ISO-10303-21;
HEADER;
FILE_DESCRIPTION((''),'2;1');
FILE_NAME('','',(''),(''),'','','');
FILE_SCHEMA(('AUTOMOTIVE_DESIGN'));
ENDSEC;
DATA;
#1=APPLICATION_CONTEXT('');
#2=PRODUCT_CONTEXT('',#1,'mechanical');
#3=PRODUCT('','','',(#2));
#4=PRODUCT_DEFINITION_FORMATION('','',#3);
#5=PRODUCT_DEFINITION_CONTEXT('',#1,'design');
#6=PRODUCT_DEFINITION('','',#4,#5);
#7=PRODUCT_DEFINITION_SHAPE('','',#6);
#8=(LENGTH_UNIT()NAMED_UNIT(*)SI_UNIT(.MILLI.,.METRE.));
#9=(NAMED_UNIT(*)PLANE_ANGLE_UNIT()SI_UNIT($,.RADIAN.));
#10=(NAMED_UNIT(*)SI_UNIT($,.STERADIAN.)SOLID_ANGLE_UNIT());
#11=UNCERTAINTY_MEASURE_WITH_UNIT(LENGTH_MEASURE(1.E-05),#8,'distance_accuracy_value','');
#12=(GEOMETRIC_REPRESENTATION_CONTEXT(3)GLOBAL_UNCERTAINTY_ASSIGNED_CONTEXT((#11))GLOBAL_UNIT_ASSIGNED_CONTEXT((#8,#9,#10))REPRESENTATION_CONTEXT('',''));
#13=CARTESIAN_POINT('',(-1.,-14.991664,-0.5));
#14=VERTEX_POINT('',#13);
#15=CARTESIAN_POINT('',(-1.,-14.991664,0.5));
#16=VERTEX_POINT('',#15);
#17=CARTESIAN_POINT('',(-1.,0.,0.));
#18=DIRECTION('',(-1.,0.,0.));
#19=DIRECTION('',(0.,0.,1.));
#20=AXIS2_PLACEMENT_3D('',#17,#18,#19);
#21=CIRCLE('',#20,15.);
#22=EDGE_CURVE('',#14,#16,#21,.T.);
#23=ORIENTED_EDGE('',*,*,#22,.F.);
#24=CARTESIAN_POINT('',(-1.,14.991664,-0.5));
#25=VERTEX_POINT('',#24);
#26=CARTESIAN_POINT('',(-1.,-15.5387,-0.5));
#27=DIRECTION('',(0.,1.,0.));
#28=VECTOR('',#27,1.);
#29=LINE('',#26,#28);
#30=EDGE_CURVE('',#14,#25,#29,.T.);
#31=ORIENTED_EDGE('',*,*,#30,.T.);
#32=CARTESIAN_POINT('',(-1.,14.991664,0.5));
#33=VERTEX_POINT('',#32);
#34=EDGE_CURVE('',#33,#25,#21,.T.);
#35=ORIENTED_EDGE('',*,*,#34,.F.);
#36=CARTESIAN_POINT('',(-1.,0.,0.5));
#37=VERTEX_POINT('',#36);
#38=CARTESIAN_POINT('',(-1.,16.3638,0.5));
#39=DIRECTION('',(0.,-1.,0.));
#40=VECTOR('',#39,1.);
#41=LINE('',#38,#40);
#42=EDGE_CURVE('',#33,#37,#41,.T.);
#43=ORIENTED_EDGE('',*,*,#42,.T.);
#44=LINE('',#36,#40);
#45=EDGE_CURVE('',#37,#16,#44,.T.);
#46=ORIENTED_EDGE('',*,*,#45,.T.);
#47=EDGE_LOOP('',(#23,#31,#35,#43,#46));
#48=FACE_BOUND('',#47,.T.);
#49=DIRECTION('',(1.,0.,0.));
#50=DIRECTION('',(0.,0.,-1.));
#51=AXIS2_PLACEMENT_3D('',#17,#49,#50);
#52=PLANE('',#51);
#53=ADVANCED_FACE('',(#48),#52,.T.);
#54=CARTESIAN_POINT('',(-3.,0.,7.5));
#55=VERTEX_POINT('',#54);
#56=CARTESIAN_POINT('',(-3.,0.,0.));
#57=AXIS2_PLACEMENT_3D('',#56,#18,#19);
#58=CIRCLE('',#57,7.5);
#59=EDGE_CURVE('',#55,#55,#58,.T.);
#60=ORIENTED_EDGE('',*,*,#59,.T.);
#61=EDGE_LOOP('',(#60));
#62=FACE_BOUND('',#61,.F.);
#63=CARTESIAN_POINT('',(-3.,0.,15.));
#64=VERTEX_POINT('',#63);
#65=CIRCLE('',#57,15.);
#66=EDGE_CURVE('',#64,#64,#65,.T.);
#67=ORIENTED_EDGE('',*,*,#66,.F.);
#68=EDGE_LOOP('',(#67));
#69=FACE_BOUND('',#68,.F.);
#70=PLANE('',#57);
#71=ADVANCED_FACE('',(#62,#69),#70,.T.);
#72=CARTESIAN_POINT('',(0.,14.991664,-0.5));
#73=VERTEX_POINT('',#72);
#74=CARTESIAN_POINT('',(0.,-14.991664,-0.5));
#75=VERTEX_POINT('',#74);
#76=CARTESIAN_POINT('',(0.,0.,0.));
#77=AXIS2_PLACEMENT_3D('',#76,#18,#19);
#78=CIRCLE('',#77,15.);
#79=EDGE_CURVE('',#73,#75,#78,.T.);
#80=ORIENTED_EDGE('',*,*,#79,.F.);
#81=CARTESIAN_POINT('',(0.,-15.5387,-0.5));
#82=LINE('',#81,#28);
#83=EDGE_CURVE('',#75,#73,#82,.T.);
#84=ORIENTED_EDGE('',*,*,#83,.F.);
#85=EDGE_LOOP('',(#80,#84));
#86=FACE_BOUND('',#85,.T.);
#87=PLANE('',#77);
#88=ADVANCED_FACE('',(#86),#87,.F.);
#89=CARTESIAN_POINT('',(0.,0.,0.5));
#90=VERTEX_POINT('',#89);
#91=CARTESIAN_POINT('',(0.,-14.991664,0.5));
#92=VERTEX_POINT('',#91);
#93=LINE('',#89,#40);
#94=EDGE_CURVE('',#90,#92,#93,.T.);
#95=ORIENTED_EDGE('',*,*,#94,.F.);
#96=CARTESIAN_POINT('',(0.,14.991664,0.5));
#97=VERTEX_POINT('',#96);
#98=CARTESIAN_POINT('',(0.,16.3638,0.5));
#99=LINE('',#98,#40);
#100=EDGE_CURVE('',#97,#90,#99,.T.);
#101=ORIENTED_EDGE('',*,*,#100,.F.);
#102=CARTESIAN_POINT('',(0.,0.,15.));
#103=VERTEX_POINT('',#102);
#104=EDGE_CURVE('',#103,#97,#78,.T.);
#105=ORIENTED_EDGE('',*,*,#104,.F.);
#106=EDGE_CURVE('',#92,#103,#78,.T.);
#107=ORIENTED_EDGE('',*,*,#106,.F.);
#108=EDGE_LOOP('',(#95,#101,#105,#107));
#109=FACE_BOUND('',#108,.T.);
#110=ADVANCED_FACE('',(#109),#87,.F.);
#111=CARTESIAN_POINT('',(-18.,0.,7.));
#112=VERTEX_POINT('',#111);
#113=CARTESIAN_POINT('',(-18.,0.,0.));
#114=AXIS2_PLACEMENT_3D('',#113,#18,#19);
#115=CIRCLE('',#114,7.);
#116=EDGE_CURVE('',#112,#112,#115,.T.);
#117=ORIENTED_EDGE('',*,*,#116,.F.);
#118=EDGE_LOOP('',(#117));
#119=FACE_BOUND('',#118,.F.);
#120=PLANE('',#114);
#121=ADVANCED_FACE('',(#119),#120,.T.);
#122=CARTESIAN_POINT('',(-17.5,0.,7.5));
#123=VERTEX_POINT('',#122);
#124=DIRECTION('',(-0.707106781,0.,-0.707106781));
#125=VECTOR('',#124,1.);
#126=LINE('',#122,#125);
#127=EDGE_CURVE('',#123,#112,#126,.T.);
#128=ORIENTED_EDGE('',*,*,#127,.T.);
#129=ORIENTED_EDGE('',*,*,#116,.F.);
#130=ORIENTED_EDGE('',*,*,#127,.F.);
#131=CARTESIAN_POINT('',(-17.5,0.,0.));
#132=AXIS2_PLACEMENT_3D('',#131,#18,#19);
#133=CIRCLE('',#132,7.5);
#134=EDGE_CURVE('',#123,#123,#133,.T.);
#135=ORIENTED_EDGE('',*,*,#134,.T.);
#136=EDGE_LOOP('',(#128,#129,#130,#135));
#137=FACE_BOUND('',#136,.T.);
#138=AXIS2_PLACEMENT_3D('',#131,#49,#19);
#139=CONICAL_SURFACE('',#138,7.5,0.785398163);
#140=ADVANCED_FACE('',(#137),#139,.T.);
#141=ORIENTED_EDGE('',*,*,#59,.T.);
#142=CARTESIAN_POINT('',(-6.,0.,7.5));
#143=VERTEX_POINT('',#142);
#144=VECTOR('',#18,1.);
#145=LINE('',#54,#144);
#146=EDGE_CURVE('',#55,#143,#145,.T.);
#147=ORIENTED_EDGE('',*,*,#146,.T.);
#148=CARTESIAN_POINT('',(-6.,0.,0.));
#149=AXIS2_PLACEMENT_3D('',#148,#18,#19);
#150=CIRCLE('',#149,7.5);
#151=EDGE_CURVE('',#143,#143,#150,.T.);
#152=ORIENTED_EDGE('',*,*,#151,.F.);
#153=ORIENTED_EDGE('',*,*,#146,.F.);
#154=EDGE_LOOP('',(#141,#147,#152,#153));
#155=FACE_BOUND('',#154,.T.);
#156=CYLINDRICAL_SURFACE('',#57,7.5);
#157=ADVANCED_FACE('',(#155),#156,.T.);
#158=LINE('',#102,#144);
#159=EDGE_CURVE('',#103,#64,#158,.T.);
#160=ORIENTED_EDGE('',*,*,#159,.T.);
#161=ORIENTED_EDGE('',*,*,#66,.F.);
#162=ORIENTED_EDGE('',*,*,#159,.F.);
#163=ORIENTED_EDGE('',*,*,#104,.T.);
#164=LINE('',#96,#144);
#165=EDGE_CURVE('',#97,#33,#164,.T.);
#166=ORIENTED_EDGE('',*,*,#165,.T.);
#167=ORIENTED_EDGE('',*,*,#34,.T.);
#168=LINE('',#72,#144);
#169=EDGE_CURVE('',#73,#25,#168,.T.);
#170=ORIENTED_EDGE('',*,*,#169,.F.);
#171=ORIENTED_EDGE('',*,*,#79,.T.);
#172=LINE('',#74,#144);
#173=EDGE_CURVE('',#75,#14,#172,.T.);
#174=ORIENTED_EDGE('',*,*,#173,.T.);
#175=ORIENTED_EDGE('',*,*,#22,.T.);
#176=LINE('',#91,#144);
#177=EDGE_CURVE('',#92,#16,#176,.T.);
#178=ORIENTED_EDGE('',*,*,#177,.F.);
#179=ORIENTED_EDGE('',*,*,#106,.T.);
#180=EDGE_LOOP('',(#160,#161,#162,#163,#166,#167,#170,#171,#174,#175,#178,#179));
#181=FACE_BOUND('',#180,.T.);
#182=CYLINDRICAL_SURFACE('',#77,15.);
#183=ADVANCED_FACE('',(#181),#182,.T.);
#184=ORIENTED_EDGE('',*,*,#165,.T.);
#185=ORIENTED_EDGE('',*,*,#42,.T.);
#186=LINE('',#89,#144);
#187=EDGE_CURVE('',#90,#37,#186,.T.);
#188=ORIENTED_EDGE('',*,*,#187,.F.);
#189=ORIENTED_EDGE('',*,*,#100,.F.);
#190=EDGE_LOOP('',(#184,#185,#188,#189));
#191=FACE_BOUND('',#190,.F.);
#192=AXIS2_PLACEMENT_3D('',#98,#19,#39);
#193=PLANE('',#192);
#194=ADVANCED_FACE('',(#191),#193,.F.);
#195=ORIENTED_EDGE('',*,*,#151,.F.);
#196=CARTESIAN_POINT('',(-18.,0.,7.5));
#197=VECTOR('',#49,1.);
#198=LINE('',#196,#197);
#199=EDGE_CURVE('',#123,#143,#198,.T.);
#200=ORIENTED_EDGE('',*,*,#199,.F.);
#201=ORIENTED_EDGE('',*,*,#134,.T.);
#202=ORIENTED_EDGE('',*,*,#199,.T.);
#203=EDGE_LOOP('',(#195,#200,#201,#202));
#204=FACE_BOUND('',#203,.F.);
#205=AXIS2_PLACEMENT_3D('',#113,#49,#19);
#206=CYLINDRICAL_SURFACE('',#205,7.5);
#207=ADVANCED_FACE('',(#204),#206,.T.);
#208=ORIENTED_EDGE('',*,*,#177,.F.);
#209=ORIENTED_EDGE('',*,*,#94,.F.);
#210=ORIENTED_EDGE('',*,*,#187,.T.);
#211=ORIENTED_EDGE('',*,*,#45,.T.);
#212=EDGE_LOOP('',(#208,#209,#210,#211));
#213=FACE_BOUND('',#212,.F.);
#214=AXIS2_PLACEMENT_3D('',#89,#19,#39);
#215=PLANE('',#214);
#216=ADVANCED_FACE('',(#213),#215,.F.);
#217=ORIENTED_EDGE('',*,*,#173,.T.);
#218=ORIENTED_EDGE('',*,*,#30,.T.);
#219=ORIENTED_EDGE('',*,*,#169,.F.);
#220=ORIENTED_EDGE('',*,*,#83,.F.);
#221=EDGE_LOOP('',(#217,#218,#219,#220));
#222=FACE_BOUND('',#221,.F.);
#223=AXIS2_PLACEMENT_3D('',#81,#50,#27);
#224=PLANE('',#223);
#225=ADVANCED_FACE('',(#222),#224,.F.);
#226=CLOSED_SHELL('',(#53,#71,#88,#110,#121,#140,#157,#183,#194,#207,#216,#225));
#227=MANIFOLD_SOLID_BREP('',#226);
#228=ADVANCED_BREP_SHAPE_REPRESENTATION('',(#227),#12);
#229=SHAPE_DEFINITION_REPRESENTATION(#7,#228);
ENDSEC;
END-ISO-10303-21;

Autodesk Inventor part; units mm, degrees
ref_plane "YZ Plane" through (0, 0, 0) normal (1, 0, 0) x (0, 1, 0)
ref_plane "XZ Plane" through (0, 0, 0) normal (0, 1, 0) x (-1, 0, 0)
ref_plane "XY Plane" through (0, 0, 0) normal (0, 0, 1) x (1, 0, 0)
sketch "Эскиз1" plane through (0, 0, 0) normal (0, 1, 0) x (-1, 0, 0)
  line L0 (0, 0) -> (0, 15)
  line L1 (0, 15) -> (3, 15)
  line L2 (0, 0) -> (3, 0)
  line L3 (3, 0) -> (18, 0)
  line L4 (18, 0) -> (18, 7.5)
  line L5 (18, 7.5) -> (6, 7.5)
  line L6 (3, 7.5) -> (3, 15)
  line L7 (3, 15) -> (3, 7.5)
  line L8 (3, 7.5) -> (6, 7.5)
  line L9 (6, 7.5) -> (6, 7.5)
  dimension "d0" = 15
  dimension "d1" = 3
  dimension "d2" = 15
  dimension "d3" = 7.5
  dimension "d4" = 7.5
  dimension "d5" = 3
revolve "Вращение1" add sketch "Эскиз1" angle 360 about axis through (-3, 0, 0) along (-1, 0, 0)
thread "Резьба1" size "M15x1.5" class "6g" standard "ISO Metric profile" length 15 offset 3
chamfer "Фаска1" distance 0.5 angle 45 1 edges at (-18, 0, -7.5)
sketch "Эскиз2" plane through (0, 0, 0) normal (1, 0, 0) x (0, 0, -1)
  line L0 (0, 0) -> (-0.5, 0)
  line L1 (-0.5, 0) -> (-0.5, -15.5387)
  line L2 (-0.5, -15.5387) -> (0.5, -15.5387)
  line L3 (0.5, -15.5387) -> (0.5, 16.3638)
  line L4 (0.5, 16.3638) -> (-0.5, 16.3638)
  line L5 (-0.5, 16.3638) -> (-0.5, -15.5387)
  dimension "d12" = 0.5
  dimension "d13" = 1
extrude "Выдавливание1" cut sketch "Эскиз2" against normal blind 1
properties part number "Болт М15х1,5"
